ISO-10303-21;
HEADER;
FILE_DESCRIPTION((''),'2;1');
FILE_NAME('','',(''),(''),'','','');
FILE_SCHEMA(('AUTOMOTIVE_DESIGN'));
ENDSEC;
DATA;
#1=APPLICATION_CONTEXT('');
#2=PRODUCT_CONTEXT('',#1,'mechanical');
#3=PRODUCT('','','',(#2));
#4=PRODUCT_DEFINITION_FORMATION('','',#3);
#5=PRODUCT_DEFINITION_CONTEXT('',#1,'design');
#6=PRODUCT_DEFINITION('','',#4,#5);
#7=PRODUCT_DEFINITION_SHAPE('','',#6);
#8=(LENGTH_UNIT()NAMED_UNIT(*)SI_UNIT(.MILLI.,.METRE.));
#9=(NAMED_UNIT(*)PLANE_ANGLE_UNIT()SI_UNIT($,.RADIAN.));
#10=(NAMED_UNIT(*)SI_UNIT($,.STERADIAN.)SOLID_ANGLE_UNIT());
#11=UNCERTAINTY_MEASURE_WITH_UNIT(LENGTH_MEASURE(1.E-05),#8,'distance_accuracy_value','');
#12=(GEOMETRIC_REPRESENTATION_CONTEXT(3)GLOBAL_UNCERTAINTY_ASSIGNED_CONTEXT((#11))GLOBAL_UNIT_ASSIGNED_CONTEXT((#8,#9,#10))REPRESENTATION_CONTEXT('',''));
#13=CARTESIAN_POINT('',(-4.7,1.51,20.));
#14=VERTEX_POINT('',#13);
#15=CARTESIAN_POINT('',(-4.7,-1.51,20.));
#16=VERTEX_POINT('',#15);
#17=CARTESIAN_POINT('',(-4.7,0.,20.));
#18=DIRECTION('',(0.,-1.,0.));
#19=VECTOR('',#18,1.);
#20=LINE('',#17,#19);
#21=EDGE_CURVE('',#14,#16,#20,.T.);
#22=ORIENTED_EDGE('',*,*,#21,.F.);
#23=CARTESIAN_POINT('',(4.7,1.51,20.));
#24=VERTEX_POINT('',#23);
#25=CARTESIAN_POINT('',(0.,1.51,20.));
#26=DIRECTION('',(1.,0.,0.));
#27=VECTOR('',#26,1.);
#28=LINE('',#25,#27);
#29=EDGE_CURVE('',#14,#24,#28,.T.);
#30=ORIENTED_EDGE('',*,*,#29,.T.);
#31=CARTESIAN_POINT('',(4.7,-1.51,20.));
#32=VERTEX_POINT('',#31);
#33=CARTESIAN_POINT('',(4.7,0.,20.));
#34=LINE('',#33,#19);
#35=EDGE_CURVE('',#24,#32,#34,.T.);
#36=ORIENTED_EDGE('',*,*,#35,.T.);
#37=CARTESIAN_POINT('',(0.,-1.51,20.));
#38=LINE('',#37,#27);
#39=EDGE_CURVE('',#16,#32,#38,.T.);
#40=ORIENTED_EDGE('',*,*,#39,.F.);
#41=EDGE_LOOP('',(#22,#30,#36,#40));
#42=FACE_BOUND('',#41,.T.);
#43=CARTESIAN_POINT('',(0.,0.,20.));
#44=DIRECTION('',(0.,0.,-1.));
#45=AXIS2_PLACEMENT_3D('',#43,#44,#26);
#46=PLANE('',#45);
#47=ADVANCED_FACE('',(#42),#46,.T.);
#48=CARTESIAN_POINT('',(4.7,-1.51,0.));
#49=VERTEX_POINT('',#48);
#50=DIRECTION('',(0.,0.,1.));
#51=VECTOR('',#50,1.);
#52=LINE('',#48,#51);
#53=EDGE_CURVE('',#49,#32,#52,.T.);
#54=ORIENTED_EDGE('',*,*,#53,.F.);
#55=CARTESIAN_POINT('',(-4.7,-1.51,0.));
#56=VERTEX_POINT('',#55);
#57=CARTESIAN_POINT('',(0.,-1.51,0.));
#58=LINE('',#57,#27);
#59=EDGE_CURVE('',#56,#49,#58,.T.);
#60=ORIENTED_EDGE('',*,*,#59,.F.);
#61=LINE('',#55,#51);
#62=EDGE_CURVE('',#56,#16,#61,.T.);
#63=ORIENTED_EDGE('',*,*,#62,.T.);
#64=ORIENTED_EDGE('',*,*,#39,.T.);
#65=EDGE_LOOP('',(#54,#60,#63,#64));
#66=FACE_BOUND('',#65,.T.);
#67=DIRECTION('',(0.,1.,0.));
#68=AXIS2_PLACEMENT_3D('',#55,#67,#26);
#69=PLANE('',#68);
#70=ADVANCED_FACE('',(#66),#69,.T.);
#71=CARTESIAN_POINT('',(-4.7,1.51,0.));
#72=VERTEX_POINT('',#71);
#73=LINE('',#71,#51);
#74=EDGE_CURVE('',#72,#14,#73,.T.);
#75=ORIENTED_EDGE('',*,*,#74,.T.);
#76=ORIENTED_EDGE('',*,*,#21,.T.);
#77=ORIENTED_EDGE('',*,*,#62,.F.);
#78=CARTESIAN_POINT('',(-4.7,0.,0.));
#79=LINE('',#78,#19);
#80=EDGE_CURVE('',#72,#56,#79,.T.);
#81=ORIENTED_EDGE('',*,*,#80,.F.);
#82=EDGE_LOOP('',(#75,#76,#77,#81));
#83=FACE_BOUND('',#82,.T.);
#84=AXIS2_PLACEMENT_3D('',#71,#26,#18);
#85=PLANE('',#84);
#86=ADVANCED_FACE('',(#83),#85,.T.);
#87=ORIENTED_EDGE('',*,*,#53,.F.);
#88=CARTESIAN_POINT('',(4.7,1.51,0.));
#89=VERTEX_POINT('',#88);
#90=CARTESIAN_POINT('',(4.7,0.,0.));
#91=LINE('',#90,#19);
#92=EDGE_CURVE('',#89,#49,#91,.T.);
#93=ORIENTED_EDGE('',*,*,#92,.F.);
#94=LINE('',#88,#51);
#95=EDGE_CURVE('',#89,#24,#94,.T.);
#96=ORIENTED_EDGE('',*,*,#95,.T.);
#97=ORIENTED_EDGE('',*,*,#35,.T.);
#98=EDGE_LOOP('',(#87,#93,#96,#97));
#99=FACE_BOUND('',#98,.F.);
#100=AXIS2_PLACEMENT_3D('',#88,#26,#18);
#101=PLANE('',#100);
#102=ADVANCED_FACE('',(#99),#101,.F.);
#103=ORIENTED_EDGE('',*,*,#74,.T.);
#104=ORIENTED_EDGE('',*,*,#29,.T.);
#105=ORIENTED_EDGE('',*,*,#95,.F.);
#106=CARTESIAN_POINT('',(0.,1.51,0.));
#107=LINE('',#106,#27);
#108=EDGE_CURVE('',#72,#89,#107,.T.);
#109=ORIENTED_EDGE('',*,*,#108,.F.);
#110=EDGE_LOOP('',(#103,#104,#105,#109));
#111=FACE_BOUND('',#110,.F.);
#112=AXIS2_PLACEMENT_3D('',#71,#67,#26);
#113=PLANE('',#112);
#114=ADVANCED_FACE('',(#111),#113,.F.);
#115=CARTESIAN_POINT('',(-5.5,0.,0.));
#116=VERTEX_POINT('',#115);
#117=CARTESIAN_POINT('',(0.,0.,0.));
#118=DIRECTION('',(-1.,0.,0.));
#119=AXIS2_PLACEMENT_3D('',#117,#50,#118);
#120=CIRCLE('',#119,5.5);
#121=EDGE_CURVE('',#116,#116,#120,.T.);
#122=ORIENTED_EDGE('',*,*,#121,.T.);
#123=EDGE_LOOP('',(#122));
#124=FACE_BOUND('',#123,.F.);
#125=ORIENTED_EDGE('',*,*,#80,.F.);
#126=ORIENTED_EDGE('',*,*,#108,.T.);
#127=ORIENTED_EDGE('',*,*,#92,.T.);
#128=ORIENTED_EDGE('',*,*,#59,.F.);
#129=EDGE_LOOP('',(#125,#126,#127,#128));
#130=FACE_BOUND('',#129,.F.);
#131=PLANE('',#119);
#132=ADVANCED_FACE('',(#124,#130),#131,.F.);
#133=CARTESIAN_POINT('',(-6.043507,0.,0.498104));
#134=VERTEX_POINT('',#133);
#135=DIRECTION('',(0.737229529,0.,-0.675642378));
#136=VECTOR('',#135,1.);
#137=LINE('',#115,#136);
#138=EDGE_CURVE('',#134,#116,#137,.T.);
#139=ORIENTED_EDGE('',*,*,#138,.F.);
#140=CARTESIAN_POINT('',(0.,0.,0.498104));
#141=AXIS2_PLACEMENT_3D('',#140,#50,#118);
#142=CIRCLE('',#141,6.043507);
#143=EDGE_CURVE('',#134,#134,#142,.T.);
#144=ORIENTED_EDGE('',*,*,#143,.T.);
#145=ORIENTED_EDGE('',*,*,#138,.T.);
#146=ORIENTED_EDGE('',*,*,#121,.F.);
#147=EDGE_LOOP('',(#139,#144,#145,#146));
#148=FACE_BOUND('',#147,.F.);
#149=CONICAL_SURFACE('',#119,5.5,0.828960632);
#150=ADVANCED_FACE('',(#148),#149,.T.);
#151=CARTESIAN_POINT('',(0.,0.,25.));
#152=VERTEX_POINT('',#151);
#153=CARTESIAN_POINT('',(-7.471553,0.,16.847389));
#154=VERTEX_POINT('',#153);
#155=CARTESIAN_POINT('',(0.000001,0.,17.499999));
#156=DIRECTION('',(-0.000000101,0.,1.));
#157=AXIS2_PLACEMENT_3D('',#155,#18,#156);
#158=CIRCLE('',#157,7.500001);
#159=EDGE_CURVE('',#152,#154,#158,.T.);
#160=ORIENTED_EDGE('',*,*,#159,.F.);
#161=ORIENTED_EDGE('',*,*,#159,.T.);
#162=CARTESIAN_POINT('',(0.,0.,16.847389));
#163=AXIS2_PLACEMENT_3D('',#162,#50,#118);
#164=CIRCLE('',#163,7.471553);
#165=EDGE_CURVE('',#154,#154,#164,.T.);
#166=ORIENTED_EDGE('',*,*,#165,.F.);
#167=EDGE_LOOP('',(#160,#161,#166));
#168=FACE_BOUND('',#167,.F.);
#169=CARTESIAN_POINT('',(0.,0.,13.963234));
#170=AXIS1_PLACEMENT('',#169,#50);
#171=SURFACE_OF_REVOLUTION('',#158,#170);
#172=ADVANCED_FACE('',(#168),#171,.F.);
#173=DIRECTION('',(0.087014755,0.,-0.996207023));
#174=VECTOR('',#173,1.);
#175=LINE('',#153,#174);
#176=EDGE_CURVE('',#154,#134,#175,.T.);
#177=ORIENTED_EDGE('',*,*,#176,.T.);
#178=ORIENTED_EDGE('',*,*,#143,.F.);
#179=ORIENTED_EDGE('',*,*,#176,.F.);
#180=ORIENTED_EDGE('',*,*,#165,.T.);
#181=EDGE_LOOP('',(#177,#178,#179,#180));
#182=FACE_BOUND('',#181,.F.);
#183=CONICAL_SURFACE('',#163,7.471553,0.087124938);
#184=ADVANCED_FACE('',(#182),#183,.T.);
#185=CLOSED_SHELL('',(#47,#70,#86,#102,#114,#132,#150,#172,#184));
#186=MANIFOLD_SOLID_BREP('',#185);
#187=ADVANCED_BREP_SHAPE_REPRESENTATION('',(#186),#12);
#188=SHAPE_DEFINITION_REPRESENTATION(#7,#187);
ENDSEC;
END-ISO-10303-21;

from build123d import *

# Parameters (mm, degrees)
F2_W     = 9.4
F2_H     = 3.02
F3_DEPTH = 20
F4_SIZE  = 0.5


with BuildPart() as f1:
    # F0 (on Front) → F1 (revolve)
    with BuildSketch(Plane.XZ):
        with BuildLine():
            Line((0, 0), (0, 25))
            ThreePointArc((0, 25), (-5.529221, 22.567318), (-7.471553, 16.847389))
            Line((-7.471553, 16.847389), (-6, 0))
            Line((-6, 0), (0, 0))
        make_face()
    revolve(axis=Axis((0, 0, 13.963234), (0, 0, 1)))

    # F2 (on face) → F3 (cut)
    with BuildSketch(Plane(origin=(0, 0, 0), x_dir=(1, 0, 0), z_dir=(0, 0, -1))):
        Rectangle(F2_W, F2_H)
    extrude(amount=-F3_DEPTH, mode=Mode.SUBTRACT)

    # F4
    f4_edges = [f1.edges().sort_by_distance(p)[0] for p in [
        (6, 0, 0),
    ]]
    chamfer(f4_edges, length=F4_SIZE)


solid = f1.part
